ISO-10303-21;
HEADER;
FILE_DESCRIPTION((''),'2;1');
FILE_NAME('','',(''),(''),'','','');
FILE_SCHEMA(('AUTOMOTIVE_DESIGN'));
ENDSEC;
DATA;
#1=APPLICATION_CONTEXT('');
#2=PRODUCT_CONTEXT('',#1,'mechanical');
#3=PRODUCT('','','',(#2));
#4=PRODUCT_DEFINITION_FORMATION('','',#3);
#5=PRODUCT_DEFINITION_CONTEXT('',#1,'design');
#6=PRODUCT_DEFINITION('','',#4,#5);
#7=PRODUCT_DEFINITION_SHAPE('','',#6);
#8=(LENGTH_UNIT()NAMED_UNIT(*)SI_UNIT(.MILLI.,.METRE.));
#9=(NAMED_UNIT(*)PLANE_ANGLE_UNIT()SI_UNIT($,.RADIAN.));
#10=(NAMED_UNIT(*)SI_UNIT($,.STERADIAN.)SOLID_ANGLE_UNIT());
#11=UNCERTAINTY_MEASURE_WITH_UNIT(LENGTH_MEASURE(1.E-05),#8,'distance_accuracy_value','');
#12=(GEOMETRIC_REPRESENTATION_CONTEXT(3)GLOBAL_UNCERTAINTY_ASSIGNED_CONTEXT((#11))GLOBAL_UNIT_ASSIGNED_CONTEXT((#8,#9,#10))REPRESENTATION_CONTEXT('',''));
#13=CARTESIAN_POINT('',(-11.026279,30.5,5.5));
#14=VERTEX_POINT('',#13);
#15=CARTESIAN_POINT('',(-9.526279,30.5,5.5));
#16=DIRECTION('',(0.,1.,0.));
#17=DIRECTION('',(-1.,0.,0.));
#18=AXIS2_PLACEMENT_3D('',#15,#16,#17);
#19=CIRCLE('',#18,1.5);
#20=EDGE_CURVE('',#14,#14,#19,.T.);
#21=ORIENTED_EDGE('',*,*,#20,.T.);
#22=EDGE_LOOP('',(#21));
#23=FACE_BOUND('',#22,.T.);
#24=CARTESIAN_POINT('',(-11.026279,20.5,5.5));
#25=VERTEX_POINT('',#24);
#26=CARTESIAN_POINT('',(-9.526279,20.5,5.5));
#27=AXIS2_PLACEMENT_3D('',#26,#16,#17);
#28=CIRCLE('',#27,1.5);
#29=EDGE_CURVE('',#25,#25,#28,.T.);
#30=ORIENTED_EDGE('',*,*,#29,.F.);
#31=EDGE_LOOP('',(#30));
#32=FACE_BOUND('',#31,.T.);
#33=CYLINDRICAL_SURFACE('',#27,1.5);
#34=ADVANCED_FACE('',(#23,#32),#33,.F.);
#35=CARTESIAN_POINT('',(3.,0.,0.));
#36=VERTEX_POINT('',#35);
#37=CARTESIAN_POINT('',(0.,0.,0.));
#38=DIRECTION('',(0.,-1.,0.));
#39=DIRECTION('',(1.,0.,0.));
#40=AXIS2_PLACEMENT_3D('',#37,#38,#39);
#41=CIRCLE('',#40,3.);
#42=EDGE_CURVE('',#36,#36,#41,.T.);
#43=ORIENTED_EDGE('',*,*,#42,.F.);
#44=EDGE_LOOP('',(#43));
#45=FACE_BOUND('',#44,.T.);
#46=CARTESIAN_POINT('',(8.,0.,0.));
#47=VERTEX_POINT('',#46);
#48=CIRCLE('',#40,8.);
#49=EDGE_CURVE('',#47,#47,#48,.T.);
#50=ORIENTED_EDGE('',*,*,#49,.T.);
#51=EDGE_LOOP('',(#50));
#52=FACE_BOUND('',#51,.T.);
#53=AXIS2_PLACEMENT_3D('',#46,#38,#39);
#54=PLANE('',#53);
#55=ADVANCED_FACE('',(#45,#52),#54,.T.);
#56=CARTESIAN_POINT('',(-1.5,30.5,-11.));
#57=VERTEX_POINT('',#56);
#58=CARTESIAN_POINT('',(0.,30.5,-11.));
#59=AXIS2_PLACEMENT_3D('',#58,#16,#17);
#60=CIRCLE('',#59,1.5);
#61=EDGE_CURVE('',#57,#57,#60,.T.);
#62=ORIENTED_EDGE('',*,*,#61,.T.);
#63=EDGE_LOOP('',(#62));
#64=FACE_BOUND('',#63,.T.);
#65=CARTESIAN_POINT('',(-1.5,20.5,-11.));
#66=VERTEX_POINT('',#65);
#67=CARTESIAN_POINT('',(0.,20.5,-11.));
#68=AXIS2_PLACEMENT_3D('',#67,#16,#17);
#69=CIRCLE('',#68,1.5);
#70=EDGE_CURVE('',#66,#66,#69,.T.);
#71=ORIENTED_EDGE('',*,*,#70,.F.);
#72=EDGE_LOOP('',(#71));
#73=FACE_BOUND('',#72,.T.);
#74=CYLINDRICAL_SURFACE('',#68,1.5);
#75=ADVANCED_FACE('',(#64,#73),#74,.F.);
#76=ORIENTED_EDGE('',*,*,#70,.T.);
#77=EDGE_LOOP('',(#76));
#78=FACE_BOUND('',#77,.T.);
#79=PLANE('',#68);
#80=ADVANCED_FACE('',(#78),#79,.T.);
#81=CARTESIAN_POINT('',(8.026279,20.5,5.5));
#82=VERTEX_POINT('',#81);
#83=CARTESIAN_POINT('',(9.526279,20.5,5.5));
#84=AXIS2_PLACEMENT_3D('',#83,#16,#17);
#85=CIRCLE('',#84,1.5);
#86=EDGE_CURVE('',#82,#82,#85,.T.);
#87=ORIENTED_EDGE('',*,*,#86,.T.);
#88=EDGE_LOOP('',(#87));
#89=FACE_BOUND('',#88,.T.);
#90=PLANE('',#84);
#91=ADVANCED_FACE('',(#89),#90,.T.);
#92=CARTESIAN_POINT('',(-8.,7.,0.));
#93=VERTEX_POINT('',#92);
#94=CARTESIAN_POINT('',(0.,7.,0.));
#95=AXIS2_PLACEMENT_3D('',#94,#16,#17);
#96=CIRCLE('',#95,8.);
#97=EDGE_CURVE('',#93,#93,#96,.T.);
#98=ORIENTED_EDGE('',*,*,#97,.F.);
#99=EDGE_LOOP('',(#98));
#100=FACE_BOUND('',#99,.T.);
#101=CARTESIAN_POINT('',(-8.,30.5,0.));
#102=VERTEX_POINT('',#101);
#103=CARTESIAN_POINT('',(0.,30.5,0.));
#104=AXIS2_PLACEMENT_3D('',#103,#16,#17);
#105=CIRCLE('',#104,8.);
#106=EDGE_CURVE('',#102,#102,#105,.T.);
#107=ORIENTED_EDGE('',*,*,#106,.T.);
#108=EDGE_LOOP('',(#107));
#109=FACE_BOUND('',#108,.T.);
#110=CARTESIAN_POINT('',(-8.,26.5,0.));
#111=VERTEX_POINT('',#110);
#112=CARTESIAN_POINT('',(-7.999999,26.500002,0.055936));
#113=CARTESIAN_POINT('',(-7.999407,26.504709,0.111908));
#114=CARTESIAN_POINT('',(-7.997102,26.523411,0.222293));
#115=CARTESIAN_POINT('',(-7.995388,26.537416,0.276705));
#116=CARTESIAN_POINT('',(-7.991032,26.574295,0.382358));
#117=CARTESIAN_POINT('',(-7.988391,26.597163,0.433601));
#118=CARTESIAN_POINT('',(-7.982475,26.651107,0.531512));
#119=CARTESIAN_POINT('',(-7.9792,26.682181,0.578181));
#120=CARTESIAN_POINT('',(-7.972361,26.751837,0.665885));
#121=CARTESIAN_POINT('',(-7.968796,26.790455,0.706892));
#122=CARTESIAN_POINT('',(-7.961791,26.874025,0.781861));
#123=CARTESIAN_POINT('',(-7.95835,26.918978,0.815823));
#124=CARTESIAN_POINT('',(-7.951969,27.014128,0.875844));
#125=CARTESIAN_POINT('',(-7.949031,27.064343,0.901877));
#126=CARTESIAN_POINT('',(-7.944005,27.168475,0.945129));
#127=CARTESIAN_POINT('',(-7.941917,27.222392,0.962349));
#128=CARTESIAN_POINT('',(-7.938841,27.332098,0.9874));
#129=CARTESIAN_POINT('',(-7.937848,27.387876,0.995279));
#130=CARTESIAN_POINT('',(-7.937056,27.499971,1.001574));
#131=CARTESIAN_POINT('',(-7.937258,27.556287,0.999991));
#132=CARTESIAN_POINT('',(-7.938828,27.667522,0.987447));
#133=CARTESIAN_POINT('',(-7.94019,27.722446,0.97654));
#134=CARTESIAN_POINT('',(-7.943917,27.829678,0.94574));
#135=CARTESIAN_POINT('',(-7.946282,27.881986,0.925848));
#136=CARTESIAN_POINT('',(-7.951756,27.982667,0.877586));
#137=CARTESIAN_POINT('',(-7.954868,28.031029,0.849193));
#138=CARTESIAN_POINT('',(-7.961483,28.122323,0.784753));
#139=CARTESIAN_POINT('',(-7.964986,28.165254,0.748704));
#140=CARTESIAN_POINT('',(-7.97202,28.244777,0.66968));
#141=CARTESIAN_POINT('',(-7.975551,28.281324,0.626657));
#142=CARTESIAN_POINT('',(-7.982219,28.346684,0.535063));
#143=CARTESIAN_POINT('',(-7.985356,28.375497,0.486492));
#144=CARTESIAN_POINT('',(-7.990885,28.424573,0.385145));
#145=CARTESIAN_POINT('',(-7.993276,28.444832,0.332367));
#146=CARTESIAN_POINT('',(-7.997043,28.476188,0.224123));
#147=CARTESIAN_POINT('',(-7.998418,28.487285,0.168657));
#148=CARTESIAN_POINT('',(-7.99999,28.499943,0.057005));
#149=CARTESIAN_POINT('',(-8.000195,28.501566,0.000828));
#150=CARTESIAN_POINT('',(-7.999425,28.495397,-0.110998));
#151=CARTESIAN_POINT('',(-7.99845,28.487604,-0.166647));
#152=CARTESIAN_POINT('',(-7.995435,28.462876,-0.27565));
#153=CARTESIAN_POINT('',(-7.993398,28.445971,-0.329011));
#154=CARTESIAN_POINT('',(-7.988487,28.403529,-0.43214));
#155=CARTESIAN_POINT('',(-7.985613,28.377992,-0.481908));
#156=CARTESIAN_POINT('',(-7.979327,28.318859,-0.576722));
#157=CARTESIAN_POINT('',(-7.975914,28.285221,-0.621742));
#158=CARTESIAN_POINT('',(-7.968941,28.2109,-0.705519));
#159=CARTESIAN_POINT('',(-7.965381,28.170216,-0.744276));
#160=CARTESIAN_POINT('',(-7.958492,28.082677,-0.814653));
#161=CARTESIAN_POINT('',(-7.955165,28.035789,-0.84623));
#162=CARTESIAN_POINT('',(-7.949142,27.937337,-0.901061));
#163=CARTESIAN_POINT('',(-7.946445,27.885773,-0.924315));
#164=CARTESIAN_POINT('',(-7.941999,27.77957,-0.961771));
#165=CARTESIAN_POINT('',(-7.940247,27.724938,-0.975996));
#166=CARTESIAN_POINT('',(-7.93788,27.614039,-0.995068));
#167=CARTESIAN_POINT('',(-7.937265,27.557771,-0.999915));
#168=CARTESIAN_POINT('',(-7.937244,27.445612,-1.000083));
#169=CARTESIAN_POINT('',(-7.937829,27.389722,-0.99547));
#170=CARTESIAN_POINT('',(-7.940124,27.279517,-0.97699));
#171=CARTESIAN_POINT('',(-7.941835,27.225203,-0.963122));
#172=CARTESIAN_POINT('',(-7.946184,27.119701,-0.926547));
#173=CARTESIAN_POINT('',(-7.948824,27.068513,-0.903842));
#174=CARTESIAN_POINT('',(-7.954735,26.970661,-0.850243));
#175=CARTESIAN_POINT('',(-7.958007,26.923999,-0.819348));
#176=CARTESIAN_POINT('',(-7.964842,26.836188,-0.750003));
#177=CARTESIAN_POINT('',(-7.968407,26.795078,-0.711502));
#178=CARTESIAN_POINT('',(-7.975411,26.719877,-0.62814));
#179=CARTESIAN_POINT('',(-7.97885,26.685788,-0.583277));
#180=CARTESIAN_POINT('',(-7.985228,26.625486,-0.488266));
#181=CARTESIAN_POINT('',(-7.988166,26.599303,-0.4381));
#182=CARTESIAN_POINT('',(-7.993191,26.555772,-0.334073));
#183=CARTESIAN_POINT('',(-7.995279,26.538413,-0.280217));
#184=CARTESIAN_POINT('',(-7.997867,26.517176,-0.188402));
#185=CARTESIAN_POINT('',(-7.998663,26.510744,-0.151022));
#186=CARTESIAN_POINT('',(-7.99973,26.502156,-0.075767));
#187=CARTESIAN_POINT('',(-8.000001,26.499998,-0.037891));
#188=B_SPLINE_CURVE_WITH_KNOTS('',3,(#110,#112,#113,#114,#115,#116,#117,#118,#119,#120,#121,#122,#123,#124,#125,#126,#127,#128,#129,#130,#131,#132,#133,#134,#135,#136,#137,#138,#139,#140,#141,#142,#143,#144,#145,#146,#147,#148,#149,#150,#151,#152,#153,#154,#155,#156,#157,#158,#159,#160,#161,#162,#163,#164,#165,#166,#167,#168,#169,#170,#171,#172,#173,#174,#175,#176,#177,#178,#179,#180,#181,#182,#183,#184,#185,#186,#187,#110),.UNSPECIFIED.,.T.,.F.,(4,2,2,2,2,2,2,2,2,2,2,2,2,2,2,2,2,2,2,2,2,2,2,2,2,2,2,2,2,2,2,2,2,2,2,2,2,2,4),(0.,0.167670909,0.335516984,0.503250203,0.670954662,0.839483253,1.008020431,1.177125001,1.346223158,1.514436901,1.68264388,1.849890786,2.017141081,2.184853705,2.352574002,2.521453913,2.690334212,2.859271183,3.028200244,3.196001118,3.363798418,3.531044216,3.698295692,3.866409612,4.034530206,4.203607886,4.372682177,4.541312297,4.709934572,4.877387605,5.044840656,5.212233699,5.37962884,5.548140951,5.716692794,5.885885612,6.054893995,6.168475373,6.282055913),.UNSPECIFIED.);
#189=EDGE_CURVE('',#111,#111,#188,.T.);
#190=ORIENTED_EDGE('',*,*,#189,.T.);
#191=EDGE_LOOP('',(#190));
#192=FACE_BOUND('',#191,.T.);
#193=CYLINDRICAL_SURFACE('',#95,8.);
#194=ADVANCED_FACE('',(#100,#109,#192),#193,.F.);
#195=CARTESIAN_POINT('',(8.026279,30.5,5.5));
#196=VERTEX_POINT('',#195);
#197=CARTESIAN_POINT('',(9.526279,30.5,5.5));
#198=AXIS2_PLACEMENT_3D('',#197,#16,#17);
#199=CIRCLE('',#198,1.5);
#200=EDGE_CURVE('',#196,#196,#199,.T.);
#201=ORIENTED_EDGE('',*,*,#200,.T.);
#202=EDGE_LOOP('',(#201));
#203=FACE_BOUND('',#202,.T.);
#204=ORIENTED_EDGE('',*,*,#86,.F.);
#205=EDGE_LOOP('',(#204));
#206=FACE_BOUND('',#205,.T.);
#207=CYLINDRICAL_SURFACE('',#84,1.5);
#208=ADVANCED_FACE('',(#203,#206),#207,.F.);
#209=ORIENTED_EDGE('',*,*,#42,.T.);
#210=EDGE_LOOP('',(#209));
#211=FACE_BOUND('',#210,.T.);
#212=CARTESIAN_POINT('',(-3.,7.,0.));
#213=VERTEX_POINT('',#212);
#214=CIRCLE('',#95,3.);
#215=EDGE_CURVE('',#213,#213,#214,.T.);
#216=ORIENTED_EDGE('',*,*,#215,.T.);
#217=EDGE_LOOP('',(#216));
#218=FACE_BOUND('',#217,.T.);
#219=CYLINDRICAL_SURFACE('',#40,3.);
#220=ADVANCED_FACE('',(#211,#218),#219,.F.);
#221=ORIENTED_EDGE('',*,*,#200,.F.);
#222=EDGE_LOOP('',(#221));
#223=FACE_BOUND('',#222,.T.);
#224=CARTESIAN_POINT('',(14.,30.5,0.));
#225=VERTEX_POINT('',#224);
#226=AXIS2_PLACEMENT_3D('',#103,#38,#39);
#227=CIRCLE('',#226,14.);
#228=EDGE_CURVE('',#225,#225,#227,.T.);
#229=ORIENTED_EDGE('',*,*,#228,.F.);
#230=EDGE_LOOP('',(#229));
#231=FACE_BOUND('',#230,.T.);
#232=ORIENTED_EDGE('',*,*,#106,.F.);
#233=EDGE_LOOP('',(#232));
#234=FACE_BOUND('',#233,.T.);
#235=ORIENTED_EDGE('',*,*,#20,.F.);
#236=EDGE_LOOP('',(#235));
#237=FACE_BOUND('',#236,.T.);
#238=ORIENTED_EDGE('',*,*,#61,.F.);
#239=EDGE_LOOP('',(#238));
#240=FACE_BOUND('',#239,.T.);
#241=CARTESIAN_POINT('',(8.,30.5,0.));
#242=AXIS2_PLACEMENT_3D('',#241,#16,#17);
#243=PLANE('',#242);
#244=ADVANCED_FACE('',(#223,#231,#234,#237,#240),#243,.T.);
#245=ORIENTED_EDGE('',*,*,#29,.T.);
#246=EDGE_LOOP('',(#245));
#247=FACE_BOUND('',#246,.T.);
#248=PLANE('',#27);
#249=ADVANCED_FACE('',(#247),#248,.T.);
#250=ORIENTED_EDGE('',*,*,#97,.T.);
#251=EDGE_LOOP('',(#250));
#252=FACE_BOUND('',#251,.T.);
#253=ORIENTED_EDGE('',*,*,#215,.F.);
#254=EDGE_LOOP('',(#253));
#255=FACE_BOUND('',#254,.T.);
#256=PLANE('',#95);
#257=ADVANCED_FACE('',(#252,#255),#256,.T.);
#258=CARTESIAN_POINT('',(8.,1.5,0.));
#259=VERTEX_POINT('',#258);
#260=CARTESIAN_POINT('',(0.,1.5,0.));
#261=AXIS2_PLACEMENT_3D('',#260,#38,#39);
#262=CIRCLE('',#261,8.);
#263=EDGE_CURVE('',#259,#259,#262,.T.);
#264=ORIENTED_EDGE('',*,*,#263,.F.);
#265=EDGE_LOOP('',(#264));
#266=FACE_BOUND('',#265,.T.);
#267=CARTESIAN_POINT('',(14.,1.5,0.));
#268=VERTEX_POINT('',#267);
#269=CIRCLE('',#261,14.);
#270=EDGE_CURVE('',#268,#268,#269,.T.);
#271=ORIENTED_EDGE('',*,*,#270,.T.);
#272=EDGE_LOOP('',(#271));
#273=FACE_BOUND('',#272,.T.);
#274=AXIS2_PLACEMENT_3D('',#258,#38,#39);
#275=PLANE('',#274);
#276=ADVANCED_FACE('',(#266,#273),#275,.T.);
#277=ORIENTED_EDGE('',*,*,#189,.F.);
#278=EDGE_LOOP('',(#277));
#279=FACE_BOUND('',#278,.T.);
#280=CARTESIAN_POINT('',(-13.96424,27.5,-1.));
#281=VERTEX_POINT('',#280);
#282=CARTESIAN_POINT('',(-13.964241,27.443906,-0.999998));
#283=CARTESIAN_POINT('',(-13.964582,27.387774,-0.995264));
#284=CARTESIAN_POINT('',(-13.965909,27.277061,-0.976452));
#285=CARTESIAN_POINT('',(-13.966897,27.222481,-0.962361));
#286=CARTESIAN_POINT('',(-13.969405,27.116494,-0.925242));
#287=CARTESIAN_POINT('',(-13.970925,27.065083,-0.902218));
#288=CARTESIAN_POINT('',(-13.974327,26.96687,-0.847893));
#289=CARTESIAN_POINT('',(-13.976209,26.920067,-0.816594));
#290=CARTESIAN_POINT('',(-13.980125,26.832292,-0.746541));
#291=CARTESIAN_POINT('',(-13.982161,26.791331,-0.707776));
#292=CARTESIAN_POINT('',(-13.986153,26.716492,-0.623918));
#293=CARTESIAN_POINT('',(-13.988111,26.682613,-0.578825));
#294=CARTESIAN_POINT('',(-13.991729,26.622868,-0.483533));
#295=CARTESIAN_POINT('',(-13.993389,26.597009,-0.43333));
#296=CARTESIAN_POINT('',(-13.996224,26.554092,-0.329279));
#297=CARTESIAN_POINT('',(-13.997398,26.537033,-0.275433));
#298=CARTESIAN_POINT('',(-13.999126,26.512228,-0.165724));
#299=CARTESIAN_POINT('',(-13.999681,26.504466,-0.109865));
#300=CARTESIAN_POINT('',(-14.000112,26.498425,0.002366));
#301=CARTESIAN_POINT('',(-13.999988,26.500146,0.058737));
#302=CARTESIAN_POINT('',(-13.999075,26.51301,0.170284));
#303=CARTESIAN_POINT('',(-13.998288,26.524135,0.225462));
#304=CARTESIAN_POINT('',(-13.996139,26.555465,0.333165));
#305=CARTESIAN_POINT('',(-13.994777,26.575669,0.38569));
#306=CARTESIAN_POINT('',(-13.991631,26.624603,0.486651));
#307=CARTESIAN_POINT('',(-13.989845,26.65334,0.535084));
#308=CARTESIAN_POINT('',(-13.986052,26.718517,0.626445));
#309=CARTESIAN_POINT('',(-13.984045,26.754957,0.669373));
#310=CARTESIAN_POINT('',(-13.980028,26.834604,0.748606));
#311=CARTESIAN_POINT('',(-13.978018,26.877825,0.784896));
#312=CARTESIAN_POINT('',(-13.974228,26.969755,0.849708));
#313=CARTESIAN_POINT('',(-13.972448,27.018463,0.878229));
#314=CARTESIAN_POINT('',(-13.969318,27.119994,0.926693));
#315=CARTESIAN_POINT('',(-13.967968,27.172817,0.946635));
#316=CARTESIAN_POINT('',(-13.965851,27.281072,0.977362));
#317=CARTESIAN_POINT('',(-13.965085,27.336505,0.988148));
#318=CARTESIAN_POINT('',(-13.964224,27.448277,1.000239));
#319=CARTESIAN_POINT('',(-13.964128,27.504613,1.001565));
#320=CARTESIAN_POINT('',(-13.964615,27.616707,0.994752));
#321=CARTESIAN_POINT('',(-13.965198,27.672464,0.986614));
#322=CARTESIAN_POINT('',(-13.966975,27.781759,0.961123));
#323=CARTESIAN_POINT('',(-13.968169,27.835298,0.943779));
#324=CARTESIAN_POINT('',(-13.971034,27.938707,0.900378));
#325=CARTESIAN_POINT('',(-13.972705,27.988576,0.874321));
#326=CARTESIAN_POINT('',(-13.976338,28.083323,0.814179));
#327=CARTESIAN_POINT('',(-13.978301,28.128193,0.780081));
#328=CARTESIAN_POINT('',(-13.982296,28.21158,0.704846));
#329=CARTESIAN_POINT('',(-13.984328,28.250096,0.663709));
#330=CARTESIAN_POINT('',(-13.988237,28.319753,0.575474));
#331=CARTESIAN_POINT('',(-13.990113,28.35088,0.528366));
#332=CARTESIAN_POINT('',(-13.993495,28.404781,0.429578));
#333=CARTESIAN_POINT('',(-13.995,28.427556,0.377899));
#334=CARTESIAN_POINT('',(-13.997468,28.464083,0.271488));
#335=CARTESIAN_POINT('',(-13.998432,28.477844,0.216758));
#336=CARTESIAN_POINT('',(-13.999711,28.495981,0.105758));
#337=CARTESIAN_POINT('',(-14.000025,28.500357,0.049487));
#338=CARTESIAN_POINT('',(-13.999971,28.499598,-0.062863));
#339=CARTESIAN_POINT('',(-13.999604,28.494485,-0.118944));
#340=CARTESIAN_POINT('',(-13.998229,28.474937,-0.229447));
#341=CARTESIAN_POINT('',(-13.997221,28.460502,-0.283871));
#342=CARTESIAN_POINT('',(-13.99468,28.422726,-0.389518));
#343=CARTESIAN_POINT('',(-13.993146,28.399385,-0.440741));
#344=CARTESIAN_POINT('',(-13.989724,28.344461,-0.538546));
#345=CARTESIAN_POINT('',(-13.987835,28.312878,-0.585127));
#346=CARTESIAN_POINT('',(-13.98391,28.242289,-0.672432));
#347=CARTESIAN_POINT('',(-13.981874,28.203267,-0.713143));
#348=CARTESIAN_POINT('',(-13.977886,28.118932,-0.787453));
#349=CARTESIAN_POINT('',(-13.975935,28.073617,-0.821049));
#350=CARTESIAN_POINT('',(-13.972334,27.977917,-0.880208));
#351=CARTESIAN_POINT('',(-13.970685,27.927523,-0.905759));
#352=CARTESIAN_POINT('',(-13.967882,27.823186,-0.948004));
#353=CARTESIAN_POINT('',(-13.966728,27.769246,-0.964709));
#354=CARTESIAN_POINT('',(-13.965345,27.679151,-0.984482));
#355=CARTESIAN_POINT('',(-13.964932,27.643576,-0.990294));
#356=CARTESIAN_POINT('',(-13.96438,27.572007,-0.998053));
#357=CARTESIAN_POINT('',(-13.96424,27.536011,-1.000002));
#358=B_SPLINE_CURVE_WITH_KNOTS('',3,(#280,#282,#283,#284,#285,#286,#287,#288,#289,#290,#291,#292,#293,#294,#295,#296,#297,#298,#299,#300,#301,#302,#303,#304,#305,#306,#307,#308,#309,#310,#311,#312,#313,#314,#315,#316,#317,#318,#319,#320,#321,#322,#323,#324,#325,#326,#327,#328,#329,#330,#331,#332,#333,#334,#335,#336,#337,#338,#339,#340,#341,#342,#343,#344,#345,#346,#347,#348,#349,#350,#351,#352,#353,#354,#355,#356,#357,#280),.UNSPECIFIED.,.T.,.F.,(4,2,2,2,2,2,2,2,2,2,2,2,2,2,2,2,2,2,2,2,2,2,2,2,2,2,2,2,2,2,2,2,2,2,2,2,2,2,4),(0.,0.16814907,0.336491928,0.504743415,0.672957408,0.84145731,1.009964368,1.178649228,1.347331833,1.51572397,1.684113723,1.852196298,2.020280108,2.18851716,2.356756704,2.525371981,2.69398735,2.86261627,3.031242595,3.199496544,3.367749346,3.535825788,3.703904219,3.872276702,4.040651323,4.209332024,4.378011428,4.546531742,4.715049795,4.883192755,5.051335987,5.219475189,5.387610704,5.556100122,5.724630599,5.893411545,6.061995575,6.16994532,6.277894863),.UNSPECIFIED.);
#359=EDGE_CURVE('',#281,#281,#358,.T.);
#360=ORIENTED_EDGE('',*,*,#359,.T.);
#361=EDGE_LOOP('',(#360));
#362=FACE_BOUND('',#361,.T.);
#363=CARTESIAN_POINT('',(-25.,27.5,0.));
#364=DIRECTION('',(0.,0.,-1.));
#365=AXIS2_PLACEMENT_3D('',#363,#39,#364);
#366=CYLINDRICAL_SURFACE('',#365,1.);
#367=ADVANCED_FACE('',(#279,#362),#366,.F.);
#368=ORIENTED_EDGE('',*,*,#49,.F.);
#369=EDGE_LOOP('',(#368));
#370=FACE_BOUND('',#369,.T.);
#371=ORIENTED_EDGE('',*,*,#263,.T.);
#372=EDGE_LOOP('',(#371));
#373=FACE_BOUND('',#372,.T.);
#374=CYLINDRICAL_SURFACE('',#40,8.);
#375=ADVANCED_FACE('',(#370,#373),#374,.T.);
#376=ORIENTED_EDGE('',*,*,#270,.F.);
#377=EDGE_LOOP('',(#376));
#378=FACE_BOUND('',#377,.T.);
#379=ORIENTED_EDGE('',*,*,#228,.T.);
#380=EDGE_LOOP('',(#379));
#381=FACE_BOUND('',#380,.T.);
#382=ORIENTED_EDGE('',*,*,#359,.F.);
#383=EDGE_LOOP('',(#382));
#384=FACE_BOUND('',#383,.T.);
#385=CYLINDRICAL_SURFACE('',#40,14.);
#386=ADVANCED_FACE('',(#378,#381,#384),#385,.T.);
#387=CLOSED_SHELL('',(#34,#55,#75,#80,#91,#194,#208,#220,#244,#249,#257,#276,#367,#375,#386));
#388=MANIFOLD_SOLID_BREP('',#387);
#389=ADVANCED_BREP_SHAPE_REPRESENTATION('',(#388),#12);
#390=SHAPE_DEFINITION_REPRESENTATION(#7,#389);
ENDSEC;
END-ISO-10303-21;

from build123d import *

# Parameters (mm, degrees)
ESQUISSE2_R             = 1.5
ENL_V_MAT_EXTRU_1_DEPTH = 10
ESQUISSE3_R             = 8
ENL_V_MAT_EXTRU_2_DEPTH = 25
ESQUISSE4_R             = 1
ENL_V_MAT_EXTRU_3_DEPTH = 25


with BuildPart() as part:
    # Esquisse1 → Révolution1 (revolve)
    with BuildSketch(Plane.XY):
        Polygon((8, 0), (8, 1.5), (14, 1.5), (14, 30.5), (8, 30.5), (8, 32), (3, 32), (3, 0), align=None)
    revolve(axis=Axis((0, 0, 0), (0, 1, 0)))

    # Esquisse2 → Enlèv. mat.-Extru.1 (cut)
    with BuildSketch(Plane(origin=(0, 30.5, 0), x_dir=(1, 0, 0), z_dir=(0, 1, 0))):
        with Locations(Location((0, 11, 0), (0, 0, 180))):
            Circle(ESQUISSE2_R)
        with Locations(Location((9.526279442, -5.5, 0), (0, 0, 180))):
            Circle(ESQUISSE2_R)
        with Locations(Location((-9.526279442, -5.5, 0), (0, 0, 180))):
            Circle(ESQUISSE2_R)
    extrude(amount=-ENL_V_MAT_EXTRU_1_DEPTH, mode=Mode.SUBTRACT)

    # Esquisse3 → Enlèv. mat.-Extru.2 (cut)
    with BuildSketch(Plane(origin=(0, 32, 0), x_dir=(1, 0, 0), z_dir=(0, 1, 0))):
        Circle(ESQUISSE3_R)
    extrude(amount=-ENL_V_MAT_EXTRU_2_DEPTH, mode=Mode.SUBTRACT)

    # Esquisse4 → Enlèv. mat.-Extru.3 (cut)
    with BuildSketch(Plane(origin=(0, 0, 0), x_dir=(0, 0, -1), z_dir=(1, 0, 0))):
        with Locations((0, 27.5)):
            Circle(ESQUISSE4_R)
    extrude(amount=-ENL_V_MAT_EXTRU_3_DEPTH, mode=Mode.SUBTRACT)


solid = part.part
